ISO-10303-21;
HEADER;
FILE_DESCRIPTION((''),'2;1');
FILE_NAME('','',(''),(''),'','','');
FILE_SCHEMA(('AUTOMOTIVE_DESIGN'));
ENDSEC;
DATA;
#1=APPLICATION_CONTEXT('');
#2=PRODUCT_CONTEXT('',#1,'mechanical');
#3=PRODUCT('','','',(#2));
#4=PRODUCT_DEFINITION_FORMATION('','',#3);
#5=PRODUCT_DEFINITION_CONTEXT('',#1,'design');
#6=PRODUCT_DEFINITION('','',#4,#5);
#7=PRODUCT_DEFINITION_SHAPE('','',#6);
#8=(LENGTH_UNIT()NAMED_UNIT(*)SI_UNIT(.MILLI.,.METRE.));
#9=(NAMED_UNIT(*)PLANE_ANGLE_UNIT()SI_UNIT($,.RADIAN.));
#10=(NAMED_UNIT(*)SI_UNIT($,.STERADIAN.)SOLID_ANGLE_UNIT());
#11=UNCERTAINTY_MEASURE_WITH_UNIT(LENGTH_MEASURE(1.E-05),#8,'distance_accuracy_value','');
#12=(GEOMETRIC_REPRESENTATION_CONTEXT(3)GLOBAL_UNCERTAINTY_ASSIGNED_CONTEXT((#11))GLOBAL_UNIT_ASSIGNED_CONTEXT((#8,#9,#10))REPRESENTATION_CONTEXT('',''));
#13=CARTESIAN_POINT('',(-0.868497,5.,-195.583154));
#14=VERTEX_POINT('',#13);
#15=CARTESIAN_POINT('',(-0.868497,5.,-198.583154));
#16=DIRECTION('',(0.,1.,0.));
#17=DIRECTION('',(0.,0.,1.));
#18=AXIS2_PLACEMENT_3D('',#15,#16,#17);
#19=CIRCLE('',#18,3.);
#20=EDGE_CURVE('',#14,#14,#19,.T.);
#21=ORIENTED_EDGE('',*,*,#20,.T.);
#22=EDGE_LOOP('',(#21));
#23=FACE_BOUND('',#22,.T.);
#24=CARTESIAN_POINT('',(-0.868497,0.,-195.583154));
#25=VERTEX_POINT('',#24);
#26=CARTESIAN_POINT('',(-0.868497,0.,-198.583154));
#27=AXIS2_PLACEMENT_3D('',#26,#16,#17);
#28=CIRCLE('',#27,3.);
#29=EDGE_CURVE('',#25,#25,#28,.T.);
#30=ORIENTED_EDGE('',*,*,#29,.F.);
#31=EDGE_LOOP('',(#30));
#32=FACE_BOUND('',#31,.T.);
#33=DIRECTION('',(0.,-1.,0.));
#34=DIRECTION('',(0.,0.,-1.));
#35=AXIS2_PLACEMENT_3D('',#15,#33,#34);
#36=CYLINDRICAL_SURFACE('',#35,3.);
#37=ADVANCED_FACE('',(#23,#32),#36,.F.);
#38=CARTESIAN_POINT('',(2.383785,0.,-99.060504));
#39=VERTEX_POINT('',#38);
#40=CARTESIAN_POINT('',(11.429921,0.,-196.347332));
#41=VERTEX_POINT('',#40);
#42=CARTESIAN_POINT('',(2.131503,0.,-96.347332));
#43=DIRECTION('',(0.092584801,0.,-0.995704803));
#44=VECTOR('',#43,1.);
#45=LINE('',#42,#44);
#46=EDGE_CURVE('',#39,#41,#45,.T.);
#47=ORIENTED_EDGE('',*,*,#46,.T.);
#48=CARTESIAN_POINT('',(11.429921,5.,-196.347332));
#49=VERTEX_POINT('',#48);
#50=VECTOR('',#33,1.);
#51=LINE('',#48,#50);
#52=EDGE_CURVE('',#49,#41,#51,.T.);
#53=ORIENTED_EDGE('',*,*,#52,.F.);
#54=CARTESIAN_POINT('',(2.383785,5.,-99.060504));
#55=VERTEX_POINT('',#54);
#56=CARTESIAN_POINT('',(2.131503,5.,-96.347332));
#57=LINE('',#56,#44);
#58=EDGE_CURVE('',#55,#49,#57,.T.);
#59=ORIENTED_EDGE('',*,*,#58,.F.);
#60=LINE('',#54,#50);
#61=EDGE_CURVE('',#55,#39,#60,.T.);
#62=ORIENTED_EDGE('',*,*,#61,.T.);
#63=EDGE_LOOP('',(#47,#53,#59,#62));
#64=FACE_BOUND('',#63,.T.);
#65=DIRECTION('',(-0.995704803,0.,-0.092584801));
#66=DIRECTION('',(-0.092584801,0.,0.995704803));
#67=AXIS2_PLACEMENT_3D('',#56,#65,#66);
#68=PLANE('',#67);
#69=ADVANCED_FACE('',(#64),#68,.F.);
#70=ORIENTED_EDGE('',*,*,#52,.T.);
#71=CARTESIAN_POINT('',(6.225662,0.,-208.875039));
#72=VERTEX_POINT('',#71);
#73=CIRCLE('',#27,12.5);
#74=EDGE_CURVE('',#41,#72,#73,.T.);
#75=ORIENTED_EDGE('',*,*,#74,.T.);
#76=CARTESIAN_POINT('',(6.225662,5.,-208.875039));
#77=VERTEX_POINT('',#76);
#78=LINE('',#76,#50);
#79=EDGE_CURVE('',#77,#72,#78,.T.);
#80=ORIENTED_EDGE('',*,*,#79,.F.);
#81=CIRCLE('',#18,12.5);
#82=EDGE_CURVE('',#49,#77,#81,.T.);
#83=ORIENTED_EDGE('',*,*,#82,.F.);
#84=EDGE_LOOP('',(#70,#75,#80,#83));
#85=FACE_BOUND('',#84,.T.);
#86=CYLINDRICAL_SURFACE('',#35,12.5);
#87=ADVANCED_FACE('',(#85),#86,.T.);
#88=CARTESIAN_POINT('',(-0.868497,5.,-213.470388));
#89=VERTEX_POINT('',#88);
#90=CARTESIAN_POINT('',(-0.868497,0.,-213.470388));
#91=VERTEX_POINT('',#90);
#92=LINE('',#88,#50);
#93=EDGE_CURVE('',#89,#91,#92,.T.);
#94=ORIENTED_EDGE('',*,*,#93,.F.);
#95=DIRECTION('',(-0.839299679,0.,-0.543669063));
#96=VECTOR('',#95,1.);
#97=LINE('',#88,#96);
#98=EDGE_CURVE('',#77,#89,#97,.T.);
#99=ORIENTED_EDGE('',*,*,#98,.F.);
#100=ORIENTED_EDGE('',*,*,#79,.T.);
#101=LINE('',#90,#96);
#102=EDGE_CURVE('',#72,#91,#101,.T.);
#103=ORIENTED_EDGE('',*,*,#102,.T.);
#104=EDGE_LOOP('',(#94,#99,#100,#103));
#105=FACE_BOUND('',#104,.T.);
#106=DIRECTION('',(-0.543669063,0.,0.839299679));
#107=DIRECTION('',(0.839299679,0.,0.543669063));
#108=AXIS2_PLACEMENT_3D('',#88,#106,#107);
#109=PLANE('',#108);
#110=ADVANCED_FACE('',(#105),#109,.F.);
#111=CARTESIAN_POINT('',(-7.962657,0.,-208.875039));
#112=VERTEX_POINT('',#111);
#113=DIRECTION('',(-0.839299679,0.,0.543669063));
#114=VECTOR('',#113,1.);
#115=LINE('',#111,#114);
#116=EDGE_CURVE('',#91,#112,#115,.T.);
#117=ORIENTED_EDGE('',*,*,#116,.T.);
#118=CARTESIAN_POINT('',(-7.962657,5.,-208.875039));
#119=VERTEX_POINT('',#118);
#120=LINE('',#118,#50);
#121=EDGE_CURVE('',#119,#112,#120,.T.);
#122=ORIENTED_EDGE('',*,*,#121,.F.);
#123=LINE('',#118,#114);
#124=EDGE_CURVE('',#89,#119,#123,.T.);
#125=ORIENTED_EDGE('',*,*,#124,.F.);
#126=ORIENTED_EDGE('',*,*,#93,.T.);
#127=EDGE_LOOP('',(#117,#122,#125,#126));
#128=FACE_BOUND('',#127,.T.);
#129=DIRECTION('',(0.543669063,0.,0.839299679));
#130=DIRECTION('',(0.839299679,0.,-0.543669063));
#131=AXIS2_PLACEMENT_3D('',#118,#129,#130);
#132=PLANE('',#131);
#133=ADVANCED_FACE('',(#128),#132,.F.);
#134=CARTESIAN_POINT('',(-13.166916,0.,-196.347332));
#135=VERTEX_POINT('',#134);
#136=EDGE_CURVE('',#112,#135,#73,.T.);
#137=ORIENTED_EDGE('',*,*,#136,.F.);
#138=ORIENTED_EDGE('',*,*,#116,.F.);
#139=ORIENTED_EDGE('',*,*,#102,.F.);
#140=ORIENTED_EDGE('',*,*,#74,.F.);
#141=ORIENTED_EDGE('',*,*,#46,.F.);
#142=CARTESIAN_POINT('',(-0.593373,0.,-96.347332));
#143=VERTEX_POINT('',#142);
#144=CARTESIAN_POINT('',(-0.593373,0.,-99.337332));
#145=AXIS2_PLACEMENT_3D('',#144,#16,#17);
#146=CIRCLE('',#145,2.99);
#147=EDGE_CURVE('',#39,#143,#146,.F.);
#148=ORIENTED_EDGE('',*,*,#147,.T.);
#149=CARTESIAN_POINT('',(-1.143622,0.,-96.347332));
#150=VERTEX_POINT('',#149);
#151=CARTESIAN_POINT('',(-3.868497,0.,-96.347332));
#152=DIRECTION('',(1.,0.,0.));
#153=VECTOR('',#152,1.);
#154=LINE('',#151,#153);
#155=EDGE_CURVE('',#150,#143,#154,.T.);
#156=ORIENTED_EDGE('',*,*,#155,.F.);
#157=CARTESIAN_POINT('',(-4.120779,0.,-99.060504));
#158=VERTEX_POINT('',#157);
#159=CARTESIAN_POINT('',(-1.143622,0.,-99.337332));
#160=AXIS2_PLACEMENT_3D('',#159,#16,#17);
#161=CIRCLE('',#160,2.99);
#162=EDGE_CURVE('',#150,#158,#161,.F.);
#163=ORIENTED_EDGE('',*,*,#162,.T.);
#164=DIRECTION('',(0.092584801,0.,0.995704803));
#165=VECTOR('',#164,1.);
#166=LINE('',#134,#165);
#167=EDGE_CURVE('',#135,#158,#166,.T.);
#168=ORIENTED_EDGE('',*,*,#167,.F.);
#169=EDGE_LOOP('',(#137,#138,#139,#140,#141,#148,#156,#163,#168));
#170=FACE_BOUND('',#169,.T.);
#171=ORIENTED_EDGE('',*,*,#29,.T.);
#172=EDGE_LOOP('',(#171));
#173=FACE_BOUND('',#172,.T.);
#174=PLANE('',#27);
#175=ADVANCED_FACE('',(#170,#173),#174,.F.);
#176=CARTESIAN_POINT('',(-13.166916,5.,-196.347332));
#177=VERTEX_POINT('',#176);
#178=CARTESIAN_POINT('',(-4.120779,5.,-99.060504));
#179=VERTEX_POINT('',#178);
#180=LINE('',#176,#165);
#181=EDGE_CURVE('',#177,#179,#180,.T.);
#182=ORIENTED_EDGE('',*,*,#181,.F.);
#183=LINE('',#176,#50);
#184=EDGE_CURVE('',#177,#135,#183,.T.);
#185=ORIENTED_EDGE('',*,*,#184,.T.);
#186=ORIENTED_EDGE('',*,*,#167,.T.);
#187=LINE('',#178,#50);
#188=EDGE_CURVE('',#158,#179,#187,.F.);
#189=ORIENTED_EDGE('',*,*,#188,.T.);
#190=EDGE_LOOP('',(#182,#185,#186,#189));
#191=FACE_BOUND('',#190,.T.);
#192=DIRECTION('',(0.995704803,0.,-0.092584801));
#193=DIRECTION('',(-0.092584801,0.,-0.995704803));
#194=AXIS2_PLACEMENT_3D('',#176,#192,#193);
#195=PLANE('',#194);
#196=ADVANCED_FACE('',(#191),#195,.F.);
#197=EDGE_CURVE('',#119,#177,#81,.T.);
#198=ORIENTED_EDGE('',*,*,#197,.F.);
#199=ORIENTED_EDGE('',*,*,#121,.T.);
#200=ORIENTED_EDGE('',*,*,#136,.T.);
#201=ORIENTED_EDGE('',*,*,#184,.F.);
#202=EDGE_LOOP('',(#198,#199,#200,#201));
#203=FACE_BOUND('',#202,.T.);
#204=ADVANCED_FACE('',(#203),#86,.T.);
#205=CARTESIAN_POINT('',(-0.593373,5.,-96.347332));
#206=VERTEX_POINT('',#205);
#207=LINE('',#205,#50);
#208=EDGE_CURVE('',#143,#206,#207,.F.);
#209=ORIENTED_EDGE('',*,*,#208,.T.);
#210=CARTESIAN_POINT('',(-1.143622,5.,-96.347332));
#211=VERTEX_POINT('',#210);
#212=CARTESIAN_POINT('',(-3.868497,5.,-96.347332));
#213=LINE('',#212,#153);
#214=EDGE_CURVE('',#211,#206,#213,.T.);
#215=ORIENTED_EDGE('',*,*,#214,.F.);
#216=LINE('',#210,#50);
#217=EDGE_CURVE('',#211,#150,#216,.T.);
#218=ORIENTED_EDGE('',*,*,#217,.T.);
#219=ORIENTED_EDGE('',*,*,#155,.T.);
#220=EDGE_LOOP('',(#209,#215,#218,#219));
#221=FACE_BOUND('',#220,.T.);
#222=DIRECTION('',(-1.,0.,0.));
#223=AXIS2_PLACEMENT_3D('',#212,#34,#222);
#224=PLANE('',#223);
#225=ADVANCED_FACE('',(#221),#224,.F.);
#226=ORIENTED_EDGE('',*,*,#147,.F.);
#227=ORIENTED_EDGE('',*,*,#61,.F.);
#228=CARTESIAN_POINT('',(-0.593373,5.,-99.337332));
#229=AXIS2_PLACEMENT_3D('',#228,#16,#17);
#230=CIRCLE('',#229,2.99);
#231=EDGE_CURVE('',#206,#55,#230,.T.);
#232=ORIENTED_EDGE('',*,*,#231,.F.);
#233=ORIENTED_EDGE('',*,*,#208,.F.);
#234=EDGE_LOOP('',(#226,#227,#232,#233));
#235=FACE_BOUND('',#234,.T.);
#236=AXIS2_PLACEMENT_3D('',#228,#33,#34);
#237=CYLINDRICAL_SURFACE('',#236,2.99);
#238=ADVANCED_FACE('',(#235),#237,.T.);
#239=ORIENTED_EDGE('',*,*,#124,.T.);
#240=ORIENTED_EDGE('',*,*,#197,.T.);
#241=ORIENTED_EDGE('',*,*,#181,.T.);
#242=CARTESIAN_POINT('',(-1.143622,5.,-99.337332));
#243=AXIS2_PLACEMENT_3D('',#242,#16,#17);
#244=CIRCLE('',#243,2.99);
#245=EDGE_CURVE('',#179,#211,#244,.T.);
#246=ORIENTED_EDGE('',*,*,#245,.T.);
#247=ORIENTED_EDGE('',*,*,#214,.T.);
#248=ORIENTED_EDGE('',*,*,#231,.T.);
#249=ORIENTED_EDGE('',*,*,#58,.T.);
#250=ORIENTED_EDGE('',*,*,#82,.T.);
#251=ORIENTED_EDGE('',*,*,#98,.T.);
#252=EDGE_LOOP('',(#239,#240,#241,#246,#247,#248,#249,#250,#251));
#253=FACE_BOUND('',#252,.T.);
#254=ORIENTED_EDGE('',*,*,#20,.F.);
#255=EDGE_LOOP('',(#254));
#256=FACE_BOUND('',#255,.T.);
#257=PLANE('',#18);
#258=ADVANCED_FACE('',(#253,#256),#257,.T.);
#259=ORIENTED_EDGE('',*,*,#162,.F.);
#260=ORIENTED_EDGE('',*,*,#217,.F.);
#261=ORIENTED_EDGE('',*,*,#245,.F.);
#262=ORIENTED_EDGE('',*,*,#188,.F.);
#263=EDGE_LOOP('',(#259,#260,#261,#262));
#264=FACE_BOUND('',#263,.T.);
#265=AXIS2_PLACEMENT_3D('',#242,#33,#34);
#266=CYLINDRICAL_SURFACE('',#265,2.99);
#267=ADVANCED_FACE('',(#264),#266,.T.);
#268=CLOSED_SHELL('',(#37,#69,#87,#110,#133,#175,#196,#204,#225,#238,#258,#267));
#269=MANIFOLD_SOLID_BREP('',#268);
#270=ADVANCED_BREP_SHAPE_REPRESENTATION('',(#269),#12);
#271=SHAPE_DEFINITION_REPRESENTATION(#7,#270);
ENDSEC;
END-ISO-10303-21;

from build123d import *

# Parameters (mm, degrees)
CROQUIS1_R              = 3
SALIENTE_EXTRUIR1_DEPTH = 5
REDONDEO1_R             = 2.99


with BuildPart() as part:
    # Croquis1 → Saliente-Extruir1 (new body)
    with BuildSketch(Plane(origin=(0, 0, 0), x_dir=(1, 0, 0), z_dir=(0, 1, 0))):
        with BuildLine():
            Line((-7.962657019, 208.875039065), (-0.868497325, 213.470388318))
            Line((-0.868497325, 213.470388318), (6.225662369, 208.875039065))
            ThreePointArc((6.225662369, 208.875039065), (10.67506724, 203.378580688), (11.42992133, 196.347332315))
            Line((11.42992133, 196.347332315), (2.131502675, 96.347332315))
            Line((2.131502675, 96.347332315), (-3.868497325, 96.347332315))
            Line((-3.868497325, 96.347332315), (-13.166915979, 196.347332315))
            ThreePointArc((-13.166915979, 196.347332315), (-12.412061889, 203.378580688), (-7.962657019, 208.875039065))
        make_face()
        with Locations(Location((-0.868497325, 198.583153998, 0), (0, 0, 270))):
            Circle(CROQUIS1_R, mode=Mode.SUBTRACT)
    extrude(amount=SALIENTE_EXTRUIR1_DEPTH)

    # Redondeo1
    redondeo1_edges = [part.edges().sort_by_distance(p)[0] for p in [
        (2.131502675, 2.5, -96.347332315),
        (-3.868497325, 2.5, -96.347332315),
    ]]
    fillet(redondeo1_edges, radius=REDONDEO1_R)


solid = part.part
